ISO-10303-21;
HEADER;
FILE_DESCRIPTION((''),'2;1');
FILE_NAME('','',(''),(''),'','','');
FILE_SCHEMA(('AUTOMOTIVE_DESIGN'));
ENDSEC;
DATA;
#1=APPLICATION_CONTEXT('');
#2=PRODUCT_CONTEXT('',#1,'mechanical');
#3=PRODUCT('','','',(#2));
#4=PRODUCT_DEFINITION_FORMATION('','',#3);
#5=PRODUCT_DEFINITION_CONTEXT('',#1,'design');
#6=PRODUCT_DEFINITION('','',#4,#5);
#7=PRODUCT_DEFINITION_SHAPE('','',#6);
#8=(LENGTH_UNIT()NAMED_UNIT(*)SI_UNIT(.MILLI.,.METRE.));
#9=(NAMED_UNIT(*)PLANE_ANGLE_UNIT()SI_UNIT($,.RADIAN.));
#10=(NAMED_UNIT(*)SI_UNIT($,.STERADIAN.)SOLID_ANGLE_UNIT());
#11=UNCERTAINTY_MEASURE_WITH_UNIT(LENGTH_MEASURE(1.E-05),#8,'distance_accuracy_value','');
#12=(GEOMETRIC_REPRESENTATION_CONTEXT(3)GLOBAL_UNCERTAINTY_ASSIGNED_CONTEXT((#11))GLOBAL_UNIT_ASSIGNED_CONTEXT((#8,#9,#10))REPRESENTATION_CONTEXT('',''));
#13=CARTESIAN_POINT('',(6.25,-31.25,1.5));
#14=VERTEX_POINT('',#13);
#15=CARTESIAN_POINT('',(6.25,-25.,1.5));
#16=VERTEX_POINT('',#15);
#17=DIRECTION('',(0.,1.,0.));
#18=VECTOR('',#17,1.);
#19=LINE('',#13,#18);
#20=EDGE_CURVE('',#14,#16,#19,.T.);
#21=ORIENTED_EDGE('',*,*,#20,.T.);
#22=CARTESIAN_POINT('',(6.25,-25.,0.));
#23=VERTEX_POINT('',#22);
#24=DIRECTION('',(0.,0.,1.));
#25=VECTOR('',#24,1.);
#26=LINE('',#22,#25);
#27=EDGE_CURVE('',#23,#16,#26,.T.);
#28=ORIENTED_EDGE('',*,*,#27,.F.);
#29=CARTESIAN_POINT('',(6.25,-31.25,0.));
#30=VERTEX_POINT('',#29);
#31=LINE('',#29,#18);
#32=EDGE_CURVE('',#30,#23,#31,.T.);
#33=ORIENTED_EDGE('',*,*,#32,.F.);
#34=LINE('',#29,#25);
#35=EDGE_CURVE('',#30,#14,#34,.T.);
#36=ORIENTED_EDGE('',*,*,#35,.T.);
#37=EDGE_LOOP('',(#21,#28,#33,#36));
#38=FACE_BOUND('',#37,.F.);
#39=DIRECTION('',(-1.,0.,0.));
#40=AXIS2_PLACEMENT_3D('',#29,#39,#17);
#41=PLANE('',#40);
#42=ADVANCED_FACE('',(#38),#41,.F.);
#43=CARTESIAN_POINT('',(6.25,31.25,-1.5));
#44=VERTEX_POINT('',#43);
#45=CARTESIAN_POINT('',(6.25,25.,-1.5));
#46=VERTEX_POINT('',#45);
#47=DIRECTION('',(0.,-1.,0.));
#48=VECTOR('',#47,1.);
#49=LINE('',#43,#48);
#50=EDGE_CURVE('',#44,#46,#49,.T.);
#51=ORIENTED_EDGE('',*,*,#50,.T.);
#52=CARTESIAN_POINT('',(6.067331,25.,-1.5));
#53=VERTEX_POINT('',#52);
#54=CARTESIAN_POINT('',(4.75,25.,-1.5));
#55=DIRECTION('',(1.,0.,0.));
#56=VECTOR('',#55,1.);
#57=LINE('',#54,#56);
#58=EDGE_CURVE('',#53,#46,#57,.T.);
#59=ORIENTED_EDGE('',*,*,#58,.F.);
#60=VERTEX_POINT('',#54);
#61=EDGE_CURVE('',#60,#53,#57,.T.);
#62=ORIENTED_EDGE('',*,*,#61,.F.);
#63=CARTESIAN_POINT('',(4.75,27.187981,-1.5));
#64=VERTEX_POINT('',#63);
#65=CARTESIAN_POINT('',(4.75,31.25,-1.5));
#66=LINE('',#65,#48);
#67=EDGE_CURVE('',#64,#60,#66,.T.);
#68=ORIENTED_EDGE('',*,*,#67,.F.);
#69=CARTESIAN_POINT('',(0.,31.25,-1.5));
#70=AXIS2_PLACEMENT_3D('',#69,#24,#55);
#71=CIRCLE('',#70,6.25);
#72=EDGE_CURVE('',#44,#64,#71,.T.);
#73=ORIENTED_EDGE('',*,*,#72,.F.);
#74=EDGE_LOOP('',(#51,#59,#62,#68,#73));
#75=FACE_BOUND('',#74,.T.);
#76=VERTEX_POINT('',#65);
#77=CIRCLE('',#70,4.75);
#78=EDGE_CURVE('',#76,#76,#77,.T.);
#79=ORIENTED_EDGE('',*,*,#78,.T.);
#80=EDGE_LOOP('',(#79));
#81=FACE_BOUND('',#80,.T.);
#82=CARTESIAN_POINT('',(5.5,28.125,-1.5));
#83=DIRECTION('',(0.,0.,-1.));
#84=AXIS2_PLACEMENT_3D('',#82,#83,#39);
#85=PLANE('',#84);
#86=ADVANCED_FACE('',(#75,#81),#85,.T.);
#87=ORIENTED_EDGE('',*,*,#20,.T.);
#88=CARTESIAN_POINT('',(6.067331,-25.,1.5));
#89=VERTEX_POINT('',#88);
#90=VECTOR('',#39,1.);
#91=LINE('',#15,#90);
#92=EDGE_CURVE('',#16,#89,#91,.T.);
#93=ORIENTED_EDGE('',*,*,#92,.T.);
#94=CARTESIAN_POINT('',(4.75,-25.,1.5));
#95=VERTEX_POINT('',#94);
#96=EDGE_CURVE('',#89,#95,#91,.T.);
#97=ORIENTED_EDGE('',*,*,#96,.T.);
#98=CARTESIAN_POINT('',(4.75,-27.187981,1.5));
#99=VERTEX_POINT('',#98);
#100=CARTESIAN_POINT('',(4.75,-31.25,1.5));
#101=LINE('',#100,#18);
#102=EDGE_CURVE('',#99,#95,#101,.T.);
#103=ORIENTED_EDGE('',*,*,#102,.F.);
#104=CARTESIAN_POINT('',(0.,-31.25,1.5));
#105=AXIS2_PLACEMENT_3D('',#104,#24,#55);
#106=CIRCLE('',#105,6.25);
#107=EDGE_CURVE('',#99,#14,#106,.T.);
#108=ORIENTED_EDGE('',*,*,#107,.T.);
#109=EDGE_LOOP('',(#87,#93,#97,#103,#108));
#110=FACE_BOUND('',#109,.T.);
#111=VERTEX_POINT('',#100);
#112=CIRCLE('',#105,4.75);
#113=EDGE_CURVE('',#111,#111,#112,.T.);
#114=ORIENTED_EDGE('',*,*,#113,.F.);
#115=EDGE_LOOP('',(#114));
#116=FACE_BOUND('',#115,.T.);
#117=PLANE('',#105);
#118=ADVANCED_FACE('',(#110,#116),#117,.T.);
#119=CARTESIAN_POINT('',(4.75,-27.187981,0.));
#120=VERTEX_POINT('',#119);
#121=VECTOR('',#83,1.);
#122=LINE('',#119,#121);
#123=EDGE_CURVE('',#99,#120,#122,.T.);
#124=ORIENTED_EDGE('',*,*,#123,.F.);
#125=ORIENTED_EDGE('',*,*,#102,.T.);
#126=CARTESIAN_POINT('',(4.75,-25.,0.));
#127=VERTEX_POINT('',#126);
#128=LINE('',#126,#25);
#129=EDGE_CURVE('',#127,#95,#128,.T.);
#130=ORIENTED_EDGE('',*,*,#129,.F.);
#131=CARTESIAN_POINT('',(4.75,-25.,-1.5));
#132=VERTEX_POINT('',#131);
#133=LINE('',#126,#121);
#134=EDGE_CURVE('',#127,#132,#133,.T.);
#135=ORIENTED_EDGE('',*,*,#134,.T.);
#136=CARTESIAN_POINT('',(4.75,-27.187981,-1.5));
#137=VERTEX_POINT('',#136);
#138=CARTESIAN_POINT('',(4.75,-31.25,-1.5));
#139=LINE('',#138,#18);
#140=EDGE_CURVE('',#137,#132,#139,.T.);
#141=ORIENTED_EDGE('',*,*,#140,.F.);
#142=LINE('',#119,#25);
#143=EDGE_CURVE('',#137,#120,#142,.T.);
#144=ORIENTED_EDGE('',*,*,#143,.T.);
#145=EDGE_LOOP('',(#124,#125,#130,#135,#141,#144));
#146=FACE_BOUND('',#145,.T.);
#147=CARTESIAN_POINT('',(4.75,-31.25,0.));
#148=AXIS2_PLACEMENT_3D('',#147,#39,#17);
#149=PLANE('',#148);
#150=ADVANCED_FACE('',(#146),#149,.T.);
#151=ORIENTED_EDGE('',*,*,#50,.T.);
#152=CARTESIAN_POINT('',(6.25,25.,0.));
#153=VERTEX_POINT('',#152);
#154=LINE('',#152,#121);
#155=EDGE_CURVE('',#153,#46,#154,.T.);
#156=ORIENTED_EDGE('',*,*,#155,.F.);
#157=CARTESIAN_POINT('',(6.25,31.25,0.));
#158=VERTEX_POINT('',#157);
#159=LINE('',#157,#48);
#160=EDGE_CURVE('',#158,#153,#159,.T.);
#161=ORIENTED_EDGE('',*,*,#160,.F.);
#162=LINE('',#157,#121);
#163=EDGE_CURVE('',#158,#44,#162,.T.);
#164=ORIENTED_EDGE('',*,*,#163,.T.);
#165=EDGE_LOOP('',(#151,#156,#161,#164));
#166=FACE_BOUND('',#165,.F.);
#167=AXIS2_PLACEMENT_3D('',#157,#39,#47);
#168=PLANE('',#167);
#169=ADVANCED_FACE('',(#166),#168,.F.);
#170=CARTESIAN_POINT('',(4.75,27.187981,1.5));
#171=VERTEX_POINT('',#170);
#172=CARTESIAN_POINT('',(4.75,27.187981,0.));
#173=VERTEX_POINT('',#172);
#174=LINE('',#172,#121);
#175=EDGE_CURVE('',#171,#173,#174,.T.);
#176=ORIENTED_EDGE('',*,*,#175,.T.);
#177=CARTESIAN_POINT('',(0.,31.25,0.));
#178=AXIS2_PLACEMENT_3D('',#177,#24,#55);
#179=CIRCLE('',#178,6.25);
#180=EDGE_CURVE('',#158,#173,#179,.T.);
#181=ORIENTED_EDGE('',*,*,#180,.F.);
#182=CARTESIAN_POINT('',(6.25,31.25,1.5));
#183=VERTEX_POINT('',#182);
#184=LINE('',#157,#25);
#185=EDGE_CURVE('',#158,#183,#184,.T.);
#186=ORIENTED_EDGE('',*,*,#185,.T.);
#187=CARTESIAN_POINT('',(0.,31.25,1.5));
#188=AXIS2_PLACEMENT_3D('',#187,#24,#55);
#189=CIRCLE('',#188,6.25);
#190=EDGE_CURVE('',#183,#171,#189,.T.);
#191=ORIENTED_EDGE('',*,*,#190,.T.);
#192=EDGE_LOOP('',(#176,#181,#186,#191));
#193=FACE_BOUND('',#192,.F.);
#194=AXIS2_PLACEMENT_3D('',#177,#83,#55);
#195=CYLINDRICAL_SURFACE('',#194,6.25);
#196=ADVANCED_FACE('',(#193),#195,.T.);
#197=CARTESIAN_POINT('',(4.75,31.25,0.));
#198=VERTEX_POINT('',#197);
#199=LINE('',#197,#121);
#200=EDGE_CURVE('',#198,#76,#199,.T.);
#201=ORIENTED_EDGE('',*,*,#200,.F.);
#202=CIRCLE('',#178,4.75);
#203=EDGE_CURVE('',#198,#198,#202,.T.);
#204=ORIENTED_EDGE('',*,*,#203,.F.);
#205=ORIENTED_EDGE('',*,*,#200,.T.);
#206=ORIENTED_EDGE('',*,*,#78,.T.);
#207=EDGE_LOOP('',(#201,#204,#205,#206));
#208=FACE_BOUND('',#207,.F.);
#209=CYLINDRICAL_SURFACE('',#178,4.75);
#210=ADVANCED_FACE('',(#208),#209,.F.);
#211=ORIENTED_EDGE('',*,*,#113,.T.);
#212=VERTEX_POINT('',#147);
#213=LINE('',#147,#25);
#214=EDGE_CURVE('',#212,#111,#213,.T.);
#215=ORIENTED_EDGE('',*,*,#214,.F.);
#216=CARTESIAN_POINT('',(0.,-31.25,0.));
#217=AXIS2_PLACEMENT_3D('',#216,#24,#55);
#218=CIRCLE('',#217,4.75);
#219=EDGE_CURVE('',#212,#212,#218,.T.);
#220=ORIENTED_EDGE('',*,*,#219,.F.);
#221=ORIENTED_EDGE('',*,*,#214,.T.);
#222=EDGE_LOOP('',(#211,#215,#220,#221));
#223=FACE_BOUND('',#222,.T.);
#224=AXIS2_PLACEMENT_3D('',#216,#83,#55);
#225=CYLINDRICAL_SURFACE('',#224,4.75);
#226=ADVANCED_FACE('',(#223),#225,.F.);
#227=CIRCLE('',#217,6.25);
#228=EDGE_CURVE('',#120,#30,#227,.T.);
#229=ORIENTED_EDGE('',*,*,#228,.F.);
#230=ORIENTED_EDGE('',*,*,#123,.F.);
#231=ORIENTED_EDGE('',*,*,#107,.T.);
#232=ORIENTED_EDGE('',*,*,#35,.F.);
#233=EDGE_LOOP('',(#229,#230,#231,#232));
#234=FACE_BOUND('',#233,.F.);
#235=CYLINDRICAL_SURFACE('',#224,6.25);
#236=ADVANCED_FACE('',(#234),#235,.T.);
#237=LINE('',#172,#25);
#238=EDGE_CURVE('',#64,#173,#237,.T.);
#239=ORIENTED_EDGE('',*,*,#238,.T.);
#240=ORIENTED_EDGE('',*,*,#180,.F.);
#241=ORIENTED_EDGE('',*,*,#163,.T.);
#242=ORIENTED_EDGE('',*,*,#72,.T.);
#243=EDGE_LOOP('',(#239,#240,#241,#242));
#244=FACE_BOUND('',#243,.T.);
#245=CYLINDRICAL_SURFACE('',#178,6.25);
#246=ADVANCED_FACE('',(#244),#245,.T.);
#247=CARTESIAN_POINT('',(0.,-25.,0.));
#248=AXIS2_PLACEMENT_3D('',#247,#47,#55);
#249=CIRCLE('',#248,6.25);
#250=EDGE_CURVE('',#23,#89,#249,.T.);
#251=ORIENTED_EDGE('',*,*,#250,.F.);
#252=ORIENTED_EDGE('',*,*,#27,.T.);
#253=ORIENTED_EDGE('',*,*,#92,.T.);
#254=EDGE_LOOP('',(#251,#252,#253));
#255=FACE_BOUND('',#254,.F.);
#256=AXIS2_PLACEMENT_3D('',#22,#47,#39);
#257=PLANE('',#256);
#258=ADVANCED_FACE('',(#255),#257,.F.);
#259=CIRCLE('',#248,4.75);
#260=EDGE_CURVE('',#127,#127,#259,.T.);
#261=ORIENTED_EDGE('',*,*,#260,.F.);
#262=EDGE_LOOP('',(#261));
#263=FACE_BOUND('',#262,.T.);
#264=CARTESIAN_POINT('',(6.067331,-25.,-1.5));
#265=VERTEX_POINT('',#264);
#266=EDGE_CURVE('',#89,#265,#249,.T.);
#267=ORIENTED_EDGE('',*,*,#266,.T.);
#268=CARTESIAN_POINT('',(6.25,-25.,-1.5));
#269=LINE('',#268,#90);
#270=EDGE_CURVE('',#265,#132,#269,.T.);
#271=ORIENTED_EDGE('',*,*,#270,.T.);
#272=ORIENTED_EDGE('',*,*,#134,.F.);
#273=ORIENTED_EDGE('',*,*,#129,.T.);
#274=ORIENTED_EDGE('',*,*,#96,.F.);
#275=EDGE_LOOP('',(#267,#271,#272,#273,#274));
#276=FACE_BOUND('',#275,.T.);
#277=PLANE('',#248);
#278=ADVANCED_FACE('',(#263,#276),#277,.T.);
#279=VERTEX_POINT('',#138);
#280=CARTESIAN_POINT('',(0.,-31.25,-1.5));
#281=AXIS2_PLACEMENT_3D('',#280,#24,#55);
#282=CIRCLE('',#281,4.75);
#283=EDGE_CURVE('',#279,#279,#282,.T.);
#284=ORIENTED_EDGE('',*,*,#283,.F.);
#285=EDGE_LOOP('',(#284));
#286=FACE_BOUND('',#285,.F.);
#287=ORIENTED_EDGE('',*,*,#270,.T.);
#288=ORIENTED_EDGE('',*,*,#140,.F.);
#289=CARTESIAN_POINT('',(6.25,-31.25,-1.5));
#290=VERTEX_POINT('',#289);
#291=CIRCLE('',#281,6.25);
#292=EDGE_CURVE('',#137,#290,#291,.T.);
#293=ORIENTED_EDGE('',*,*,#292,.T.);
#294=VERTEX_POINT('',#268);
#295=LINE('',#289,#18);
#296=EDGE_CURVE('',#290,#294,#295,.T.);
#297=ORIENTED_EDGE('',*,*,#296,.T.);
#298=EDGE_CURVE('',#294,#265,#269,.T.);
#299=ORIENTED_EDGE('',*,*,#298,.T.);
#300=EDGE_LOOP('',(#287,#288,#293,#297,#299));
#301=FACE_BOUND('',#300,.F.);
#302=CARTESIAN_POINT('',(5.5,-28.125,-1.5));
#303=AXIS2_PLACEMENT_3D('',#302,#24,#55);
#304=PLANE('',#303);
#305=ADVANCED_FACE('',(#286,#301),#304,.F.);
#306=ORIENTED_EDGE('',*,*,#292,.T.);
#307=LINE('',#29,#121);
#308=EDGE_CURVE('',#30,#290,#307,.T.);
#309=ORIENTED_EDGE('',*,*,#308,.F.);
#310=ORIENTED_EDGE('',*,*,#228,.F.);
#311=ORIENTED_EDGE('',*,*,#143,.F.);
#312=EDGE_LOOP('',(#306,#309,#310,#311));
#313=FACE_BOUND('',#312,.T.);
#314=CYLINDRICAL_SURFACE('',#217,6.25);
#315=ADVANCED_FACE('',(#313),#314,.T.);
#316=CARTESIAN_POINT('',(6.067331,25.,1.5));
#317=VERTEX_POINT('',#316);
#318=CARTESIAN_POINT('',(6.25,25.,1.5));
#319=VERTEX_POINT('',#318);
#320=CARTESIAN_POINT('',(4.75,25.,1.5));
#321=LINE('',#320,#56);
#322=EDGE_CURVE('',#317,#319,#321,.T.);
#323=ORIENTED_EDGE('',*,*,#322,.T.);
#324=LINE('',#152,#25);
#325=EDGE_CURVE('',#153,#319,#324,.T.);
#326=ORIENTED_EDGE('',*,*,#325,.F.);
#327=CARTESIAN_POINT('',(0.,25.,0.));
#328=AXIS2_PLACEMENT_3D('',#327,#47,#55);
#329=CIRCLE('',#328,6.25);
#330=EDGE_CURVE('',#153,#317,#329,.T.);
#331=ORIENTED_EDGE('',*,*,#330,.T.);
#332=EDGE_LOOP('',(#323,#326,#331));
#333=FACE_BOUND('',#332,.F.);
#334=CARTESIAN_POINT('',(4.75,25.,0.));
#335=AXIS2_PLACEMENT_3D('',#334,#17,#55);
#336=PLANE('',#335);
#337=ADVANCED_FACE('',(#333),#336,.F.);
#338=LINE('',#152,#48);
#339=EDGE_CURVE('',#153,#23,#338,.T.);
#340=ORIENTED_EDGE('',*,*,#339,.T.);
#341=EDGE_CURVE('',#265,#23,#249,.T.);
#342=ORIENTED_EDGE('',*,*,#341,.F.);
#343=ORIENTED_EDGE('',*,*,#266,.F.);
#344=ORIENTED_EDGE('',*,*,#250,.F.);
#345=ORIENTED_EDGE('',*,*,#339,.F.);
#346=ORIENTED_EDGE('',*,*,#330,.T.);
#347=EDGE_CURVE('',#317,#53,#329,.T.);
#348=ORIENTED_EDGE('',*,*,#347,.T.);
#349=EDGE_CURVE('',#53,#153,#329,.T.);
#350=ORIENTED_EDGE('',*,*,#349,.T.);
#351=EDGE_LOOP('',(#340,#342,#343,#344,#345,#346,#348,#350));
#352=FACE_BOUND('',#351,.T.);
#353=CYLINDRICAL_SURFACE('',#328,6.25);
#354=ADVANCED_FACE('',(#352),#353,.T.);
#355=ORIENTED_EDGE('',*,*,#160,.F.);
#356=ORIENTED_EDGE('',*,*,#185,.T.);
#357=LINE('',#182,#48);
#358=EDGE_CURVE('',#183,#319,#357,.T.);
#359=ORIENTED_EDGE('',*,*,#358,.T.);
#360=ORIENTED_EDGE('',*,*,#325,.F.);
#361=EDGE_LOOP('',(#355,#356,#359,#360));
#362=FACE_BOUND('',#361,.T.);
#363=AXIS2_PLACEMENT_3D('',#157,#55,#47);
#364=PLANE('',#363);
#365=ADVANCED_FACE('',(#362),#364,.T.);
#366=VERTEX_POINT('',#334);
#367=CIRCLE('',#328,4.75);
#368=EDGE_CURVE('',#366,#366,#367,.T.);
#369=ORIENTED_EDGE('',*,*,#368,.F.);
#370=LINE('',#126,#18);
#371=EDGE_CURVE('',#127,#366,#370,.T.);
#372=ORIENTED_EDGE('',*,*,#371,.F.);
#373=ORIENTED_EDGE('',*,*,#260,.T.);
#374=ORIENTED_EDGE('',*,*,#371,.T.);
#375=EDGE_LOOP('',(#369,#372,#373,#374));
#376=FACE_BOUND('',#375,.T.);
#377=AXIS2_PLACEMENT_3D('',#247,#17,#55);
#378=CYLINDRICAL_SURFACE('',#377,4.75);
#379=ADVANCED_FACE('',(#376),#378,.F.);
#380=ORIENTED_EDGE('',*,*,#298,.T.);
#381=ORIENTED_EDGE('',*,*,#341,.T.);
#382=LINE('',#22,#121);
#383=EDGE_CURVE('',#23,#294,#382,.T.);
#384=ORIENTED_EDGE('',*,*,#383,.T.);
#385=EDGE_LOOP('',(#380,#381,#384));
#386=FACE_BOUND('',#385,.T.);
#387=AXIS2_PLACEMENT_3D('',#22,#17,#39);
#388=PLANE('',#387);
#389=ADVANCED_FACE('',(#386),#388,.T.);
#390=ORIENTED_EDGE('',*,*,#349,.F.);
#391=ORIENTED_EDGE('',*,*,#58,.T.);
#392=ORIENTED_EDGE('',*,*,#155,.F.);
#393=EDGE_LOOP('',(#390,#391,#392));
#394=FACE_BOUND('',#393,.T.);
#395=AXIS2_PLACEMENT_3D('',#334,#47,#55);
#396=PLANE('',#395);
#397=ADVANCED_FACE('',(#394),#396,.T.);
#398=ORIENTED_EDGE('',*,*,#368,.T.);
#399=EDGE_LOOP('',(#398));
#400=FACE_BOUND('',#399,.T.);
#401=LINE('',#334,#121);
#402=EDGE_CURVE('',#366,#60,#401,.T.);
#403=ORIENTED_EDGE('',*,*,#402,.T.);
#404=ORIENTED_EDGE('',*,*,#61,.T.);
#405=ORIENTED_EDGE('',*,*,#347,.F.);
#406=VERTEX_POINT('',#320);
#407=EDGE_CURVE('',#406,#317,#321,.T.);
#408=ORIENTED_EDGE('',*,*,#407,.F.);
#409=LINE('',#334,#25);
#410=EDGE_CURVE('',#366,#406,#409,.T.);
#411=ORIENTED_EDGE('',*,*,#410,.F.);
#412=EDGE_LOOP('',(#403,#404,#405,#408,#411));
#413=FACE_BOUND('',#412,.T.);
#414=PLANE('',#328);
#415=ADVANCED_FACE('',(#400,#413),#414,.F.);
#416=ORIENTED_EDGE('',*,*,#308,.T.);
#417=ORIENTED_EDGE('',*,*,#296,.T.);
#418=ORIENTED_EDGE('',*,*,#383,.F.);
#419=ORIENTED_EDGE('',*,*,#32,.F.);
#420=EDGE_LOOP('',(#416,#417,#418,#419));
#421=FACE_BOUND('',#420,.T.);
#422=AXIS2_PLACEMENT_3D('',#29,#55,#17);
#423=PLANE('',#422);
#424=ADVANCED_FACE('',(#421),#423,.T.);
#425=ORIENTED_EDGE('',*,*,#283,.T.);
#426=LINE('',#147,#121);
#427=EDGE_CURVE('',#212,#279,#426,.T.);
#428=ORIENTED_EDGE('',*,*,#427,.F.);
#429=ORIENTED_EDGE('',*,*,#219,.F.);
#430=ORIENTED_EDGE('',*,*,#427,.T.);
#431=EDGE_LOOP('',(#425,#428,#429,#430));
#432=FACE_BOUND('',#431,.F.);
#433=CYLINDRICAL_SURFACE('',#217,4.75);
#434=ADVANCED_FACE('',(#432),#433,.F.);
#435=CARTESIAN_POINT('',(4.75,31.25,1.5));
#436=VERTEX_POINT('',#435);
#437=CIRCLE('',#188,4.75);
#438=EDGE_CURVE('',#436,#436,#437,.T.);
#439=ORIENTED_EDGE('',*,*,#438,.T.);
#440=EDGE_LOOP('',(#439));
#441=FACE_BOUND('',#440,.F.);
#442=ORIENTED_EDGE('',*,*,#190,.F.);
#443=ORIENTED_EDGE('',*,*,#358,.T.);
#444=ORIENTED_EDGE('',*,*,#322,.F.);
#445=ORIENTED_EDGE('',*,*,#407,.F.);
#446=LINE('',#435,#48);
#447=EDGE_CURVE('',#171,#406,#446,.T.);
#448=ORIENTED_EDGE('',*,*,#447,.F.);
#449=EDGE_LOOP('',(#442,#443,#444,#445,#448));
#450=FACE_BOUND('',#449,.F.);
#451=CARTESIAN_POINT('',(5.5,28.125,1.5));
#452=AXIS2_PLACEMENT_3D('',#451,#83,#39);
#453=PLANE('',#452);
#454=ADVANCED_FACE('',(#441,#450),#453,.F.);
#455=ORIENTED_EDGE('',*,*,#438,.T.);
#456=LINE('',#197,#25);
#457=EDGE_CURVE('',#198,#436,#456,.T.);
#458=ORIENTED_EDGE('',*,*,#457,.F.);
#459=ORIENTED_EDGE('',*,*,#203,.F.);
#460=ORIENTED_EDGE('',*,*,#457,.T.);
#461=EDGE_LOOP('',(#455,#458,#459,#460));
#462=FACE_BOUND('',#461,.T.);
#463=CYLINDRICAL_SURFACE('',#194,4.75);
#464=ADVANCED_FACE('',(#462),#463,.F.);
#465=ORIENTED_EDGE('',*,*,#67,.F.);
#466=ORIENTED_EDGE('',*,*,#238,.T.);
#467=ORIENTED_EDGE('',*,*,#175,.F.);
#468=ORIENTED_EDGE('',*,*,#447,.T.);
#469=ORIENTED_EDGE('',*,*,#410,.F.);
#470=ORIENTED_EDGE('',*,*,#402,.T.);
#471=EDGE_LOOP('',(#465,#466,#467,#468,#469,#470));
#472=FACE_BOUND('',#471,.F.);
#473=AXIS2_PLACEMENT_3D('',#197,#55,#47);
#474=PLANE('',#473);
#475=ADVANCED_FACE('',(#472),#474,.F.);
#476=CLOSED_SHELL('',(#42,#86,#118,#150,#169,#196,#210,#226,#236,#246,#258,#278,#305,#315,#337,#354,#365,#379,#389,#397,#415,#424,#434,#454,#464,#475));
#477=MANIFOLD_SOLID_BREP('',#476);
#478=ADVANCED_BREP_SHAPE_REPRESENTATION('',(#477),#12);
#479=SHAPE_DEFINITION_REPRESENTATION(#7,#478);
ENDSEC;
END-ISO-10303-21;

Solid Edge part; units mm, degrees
sketch "Sketch1" plane through (0, 0, 0) normal (0, 0, 1) x (1, 0, 0)
  line L0 (4.75, -25) -> (4.75, 25)
  line L1 (4.75, 25) -> (6.25, 25)
  line L2 (6.25, 25) -> (6.25, -25)
  line L3 (6.25, -25) -> (4.75, -25)
revolve "RevolvedProtrusion1" add sketch "Sketch1" angle 360 about axis through (0, 23.3565, 0) along (0, -1, 0)
sketch "Sketch2" plane through (0, 0, 0) normal (0, 0, 1) x (1, 0, 0)
  line L0 (6.25, 31.25) -> (6.25, 25)
  line L1 (4.75, 25) -> (6.25, 25)
  line L2 (4.75, 31.25) -> (4.75, 25)
  line L3 (4.75, 31.25) -> (6.25, 31.25)
  line L4 (6.25, -31.25) -> (6.25, -25)
  line L5 (6.25, -25) -> (4.75, -25)
  line L6 (4.75, -31.25) -> (4.75, -25)
  line L7 (4.75, -31.25) -> (6.25, -31.25)
  circle A0 centre (0, -31.25) radius 6.25
  circle A1 centre (0, -31.25) radius 4.75
  circle A2 centre (0, 31.25) radius 4.75
  circle A3 centre (0, 31.25) radius 6.25
  dimension "D1" = 6.25
  dimension "D2" = 1.5
  dimension "D3" = 75
extrude "Protrusion1" add sketch "Sketch2" along normal mid plane 3
